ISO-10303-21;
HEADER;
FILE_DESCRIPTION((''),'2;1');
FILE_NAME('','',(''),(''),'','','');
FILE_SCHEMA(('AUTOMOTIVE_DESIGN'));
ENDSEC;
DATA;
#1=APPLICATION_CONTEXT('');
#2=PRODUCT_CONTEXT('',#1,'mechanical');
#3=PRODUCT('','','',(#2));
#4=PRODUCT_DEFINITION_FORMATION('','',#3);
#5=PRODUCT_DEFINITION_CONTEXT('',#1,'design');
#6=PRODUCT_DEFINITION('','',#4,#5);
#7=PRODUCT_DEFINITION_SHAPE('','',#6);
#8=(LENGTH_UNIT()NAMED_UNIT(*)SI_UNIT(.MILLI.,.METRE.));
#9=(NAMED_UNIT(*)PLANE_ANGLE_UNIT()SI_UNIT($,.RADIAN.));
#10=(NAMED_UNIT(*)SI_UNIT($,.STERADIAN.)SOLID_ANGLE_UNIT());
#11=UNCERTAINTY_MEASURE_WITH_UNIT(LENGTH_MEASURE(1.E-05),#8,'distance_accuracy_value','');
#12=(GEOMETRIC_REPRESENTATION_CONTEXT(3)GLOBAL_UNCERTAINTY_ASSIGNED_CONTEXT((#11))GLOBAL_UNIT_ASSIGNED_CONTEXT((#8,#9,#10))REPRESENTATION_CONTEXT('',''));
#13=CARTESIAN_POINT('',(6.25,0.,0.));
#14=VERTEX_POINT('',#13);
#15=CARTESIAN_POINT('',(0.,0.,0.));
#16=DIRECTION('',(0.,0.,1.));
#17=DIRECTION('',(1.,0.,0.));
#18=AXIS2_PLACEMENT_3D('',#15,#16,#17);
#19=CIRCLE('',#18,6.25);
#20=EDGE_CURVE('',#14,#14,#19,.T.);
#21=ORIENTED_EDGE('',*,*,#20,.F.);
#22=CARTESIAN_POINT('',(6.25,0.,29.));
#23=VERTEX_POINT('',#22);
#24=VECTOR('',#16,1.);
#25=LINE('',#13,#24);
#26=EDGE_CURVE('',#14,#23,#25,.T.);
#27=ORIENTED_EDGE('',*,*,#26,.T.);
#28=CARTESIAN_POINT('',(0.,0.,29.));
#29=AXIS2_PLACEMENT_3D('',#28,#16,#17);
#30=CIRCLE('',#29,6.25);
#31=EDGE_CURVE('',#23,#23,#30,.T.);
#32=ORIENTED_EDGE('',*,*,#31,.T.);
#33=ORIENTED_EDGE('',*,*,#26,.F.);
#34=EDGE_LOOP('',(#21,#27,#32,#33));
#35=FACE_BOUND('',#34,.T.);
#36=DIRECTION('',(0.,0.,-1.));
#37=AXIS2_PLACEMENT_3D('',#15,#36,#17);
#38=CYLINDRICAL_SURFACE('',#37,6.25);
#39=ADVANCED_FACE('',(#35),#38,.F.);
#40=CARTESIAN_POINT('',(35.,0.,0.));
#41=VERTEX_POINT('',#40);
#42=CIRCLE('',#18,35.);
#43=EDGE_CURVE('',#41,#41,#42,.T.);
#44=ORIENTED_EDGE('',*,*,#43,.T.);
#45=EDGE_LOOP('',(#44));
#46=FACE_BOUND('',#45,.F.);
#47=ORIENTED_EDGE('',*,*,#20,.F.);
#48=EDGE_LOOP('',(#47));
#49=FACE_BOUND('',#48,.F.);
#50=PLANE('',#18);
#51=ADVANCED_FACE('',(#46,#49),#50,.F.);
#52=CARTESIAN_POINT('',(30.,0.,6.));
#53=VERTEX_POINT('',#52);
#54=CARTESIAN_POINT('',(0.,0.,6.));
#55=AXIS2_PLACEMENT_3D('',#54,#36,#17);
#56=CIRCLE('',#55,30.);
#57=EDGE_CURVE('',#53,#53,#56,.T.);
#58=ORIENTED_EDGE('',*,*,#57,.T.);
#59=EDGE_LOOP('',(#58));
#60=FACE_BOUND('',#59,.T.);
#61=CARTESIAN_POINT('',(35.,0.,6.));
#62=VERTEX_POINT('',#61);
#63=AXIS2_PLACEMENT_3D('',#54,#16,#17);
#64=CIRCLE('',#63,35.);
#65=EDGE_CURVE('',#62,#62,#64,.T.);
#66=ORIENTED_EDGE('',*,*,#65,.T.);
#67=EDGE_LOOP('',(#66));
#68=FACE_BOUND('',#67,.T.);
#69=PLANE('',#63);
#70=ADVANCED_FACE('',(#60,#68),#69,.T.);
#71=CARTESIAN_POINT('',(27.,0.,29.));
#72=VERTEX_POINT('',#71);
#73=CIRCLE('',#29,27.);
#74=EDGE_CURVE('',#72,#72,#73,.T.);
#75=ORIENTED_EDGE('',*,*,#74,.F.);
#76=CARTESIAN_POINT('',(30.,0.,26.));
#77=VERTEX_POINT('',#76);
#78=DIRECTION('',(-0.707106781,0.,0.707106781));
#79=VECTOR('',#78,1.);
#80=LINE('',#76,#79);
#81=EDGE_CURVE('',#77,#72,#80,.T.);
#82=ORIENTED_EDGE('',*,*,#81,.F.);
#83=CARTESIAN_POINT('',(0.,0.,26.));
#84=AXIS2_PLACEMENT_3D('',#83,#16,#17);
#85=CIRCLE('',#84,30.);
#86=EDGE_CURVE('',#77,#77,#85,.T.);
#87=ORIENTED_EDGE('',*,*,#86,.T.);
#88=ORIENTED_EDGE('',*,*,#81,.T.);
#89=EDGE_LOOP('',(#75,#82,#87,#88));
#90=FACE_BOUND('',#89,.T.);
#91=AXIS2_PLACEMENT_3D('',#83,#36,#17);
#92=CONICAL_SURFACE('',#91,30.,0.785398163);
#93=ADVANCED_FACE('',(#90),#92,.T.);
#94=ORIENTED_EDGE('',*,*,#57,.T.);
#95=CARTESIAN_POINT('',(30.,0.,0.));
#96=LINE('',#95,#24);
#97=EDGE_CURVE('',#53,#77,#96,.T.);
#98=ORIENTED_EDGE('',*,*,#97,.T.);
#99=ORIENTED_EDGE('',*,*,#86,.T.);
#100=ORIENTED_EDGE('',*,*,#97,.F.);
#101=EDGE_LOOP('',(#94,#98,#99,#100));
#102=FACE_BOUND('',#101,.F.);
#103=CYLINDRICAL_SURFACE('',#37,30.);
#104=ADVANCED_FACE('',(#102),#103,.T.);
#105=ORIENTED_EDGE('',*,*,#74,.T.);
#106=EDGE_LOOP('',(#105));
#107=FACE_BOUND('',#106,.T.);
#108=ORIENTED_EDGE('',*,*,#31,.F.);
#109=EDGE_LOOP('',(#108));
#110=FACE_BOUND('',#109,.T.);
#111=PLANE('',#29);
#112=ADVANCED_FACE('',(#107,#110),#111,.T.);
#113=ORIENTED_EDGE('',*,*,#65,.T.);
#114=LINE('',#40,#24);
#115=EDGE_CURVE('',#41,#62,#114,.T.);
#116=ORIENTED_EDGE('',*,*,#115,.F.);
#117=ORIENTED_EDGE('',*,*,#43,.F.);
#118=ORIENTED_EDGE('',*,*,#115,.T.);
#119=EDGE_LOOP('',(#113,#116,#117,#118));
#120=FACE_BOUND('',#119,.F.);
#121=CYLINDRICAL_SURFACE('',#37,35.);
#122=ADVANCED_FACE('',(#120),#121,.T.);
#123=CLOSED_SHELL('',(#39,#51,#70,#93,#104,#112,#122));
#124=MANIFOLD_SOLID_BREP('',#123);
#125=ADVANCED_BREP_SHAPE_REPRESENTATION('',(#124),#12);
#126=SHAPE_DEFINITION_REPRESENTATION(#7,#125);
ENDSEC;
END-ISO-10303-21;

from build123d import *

# Parameters (mm, degrees)
F0_R     = 30
F0_R_2   = 6.25
F1_DEPTH = 29
F2_R     = 35
F2_R_2   = 6.25
F3_DEPTH = 6
F4_SIZE  = 3


with BuildPart() as f1:
    # F0 (on Top) → F1 (new body)
    with BuildSketch(Plane.XY):
        Circle(F0_R)
        Circle(F0_R_2, mode=Mode.SUBTRACT)
    extrude(amount=F1_DEPTH)

    # F2 (on Top) → F3 (join)
    with BuildSketch(Plane.XY):
        Circle(F2_R)
        Circle(F2_R_2, mode=Mode.SUBTRACT)
    extrude(amount=F3_DEPTH)

    # F4
    f4_edges = [f1.edges().sort_by_distance(p)[0] for p in [
        (-30, 0, 29),
    ]]
    chamfer(f4_edges, length=F4_SIZE)


solid = f1.part
